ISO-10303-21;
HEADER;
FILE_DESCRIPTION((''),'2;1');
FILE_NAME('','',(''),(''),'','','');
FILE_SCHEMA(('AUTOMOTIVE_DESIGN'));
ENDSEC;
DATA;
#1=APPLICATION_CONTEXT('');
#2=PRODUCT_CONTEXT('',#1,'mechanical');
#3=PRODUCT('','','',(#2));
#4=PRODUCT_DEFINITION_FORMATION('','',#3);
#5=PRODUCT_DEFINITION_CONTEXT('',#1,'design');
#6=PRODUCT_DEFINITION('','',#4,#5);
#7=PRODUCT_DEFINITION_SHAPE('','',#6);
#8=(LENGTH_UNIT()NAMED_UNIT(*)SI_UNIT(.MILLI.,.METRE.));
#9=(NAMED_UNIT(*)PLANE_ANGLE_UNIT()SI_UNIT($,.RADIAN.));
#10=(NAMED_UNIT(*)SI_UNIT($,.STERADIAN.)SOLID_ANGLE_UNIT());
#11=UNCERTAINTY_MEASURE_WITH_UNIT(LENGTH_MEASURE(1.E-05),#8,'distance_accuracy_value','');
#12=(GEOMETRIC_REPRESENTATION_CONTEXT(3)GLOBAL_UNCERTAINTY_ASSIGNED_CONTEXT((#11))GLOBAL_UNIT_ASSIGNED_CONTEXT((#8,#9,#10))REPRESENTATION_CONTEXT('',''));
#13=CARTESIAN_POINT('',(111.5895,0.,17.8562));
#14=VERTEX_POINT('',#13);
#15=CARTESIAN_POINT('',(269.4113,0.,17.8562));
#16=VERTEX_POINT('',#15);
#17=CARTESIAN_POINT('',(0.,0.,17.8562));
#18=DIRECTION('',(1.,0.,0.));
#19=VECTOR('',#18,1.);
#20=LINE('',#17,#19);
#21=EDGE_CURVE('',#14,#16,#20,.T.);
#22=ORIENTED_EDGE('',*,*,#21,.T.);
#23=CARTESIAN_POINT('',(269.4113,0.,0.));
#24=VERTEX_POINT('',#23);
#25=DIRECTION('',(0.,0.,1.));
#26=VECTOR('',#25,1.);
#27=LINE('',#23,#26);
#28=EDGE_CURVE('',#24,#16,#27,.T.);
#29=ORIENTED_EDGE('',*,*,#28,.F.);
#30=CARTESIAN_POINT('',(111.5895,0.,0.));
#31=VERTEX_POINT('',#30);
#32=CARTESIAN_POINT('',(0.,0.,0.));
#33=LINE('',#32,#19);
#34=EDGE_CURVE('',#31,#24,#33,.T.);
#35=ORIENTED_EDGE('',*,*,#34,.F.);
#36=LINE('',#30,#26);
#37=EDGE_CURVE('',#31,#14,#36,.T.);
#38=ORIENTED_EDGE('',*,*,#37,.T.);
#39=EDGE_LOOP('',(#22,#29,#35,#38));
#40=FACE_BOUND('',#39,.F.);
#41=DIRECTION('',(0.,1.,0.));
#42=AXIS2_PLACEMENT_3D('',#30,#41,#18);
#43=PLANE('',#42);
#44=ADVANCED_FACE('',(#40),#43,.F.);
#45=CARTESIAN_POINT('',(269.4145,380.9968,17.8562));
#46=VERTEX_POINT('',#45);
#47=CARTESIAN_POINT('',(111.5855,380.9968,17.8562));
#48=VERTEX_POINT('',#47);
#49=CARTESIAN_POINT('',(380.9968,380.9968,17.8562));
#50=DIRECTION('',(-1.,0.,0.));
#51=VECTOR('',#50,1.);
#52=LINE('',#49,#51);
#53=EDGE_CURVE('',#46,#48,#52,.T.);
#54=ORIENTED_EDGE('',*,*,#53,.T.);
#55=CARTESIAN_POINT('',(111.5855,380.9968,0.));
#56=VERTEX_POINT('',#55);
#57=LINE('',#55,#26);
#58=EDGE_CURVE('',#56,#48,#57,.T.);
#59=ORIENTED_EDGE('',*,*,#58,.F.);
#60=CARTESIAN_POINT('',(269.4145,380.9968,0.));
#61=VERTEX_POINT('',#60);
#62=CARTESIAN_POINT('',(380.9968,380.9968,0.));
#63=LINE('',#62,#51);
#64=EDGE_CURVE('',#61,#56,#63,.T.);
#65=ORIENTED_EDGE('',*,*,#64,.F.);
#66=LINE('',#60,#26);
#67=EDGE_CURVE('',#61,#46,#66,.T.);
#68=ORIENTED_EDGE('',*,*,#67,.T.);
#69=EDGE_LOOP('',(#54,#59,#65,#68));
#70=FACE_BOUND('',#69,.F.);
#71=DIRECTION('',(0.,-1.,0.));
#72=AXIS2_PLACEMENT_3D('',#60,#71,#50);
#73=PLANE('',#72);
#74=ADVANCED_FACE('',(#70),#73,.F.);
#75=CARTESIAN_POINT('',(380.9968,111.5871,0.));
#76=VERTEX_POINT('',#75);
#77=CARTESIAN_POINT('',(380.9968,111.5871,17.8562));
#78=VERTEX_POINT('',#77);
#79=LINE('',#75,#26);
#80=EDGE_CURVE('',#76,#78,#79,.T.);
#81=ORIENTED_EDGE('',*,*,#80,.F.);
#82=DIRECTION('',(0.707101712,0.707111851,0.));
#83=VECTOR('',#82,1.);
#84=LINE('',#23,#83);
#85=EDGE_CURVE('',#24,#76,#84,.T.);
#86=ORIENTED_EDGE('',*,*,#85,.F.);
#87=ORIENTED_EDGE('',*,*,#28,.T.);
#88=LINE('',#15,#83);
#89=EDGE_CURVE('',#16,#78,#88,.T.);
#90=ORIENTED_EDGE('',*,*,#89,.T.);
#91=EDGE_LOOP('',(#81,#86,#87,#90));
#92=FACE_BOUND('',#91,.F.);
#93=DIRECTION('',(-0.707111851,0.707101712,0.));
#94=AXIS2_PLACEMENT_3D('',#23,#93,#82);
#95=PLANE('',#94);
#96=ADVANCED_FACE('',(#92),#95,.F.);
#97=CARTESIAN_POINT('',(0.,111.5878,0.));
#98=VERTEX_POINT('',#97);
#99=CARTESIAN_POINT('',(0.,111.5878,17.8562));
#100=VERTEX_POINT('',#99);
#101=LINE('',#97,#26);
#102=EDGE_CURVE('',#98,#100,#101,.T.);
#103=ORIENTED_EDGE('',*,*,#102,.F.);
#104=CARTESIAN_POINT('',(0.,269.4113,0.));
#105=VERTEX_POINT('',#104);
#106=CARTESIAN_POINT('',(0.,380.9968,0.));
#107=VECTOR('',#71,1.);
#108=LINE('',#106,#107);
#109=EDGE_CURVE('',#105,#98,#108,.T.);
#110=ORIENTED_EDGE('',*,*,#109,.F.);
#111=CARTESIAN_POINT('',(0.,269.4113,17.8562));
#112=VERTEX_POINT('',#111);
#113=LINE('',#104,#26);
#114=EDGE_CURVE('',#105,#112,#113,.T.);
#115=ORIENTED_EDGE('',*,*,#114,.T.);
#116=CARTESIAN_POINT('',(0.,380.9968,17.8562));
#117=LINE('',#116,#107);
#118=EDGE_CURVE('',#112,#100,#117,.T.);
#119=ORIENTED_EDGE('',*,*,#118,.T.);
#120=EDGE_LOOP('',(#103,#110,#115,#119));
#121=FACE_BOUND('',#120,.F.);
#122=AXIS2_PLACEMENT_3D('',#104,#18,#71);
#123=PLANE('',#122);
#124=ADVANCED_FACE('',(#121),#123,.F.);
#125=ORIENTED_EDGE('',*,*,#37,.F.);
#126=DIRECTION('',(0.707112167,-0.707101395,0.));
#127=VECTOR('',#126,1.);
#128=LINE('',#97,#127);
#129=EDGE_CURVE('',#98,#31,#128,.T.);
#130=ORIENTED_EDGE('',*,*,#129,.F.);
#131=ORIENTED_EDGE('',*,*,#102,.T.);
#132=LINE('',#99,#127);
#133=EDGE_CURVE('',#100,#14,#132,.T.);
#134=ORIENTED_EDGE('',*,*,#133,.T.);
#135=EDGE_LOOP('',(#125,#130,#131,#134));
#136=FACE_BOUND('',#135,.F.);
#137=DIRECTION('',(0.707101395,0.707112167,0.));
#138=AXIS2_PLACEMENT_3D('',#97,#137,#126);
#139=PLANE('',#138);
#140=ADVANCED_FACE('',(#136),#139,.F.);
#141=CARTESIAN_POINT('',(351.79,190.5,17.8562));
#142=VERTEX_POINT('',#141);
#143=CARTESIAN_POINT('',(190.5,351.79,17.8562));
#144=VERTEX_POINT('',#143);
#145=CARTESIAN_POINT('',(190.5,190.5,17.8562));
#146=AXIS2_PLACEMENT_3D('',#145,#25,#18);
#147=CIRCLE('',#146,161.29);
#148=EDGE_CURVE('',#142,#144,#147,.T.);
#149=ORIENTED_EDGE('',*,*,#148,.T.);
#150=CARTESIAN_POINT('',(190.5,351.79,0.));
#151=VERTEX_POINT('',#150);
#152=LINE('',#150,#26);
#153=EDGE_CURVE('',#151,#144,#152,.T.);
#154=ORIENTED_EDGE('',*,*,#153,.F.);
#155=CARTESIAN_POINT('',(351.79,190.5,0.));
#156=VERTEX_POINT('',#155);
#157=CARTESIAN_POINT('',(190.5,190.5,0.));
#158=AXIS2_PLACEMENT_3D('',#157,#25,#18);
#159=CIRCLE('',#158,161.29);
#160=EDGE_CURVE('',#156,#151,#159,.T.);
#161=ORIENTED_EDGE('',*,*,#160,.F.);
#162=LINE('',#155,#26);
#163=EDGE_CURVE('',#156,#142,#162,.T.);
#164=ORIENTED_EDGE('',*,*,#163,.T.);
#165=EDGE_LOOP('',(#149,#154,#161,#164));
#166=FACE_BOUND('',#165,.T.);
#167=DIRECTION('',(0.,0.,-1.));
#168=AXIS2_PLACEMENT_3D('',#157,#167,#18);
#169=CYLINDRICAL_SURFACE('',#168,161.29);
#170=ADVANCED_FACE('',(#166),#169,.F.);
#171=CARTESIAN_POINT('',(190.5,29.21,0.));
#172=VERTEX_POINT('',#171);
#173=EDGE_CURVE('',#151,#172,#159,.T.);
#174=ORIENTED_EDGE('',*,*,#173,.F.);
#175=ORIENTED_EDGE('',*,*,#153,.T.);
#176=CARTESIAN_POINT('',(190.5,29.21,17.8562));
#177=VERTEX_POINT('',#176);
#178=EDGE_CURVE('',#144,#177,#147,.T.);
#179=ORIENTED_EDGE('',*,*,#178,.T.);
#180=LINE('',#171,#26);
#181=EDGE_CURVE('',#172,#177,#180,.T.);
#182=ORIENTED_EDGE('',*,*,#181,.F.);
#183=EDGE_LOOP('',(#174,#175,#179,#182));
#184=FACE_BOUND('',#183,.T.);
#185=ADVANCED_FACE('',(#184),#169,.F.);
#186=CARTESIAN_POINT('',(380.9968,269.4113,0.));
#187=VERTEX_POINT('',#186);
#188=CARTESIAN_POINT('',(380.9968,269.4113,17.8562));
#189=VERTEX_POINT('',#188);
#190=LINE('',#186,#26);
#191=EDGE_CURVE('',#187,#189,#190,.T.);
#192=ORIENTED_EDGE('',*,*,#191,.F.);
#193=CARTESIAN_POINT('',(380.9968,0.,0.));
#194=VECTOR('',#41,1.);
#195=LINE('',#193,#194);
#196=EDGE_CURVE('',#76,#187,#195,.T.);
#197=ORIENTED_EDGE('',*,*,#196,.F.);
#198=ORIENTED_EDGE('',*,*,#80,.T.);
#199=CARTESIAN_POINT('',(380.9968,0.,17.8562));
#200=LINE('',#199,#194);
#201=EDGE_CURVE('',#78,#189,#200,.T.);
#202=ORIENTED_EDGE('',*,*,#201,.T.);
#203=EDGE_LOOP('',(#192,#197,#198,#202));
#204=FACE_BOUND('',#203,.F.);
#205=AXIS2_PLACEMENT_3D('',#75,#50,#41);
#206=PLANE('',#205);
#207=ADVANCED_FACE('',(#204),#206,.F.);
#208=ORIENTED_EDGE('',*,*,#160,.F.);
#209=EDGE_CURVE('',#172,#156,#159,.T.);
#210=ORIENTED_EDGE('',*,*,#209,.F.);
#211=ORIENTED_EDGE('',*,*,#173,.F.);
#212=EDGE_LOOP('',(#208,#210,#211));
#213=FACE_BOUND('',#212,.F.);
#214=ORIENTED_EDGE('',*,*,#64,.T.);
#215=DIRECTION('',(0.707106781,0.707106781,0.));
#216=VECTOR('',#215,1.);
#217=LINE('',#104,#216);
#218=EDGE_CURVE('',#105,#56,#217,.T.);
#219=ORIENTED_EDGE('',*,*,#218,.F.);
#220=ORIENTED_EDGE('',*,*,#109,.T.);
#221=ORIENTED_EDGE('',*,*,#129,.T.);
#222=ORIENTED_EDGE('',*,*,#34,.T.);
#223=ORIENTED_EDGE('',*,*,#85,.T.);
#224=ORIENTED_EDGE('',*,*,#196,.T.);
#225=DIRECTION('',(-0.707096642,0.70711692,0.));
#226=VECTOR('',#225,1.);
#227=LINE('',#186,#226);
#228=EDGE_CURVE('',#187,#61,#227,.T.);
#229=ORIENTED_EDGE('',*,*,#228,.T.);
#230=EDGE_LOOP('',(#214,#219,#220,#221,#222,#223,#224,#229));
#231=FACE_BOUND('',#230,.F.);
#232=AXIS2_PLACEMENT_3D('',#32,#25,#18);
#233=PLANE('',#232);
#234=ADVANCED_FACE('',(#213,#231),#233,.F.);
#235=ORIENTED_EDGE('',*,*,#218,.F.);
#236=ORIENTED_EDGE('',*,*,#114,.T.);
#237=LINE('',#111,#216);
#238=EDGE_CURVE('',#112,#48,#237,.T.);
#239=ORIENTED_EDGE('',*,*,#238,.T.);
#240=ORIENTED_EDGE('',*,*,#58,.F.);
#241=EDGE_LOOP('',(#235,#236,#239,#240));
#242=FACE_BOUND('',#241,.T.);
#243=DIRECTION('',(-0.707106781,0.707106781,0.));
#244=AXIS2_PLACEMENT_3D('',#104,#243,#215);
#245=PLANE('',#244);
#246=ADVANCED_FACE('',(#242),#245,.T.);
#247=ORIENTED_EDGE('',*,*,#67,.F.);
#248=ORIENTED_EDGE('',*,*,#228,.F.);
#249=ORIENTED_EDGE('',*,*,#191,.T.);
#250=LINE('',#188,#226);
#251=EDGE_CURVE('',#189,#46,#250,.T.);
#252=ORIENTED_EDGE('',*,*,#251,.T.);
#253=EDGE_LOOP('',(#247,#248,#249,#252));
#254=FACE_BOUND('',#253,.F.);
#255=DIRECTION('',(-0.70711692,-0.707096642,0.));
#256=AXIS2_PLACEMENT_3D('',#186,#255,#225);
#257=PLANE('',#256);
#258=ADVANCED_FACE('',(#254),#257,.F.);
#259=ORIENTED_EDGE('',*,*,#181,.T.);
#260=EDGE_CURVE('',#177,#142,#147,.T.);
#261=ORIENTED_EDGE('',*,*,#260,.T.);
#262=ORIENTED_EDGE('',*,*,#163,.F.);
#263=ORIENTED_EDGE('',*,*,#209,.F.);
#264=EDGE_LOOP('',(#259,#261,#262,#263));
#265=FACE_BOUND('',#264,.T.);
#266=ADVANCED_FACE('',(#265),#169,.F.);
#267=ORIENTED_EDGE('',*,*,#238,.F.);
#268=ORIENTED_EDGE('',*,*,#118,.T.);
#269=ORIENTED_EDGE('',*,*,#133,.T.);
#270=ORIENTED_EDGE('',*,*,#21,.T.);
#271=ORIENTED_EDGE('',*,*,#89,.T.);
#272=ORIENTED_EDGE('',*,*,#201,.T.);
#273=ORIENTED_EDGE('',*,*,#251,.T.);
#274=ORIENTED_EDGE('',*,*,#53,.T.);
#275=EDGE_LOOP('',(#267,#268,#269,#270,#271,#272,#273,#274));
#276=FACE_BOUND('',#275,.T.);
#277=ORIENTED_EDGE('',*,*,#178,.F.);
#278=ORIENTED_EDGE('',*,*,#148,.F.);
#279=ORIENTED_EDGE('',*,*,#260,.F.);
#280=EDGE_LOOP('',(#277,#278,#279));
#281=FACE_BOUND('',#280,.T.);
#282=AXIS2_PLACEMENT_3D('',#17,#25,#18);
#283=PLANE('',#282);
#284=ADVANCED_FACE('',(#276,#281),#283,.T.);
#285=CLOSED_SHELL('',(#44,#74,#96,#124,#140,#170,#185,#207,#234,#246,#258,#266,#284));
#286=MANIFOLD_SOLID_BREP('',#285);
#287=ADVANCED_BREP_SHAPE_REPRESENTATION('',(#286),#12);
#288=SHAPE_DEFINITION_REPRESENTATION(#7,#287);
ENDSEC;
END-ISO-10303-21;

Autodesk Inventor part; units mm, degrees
ref_plane "YZ Plane" through (0, 0, 0) normal (1, 0, 0) x (0, 1, 0)
ref_plane "XZ Plane" through (0, 0, 0) normal (0, 1, 0) x (-1, 0, 0)
ref_plane "XY Plane" through (0, 0, 0) normal (0, 0, 1) x (1, 0, 0)
sketch "Sketch1" plane through (0, 0, 0) normal (0, 0, 1) x (1, 0, 0)
  circle A0 centre (190.5, 190.5) radius 161.29
  circle A1 centre (190.5, 190.5) radius 161.29
  line L0 (190.5, 377.5583) -> (190.5, 351.79)
  line L1 (190.5, 3.4417) -> (190.5, 29.21)
  line L2 (0, 269.4113) -> (111.5887, 381)
  line L3 (0, 269.4113) -> (157.8102, 269.4113) construction
  line L4 (0, 111.5878) -> (111.5895, 0)
  line L5 (269.4113, 0) -> (381, 111.5903)
  line L6 (380.9968, 269.4113) -> (269.4113, 381)
  line L7 (0, 0) -> (380.9968, 0)
  line L8 (380.9968, 0) -> (380.9968, 380.9968)
  line L9 (380.9968, 380.9968) -> (0, 380.9968)
  line L10 (0, 380.9968) -> (0, 0)
  point P0 (111.5855, 380.9968)
  point P1 (111.5895, 0)
  point P2 (380.9968, 111.5871)
  point P3 (269.4145, 380.9968)
  dimension "d3" = 322.58
  dimension "d25" = 25.7683
  dimension "d26" = 25.7683
  dimension "d27" = 45
  dimension "d28" = 157.8102
  dimension "d30" = 157.8235
  dimension "d32" = 157.8218
  dimension "d40" = 157.808
  dimension "d42" = 380.9968
  dimension "d43" = 380.9968
  dimension "d44" = 190.5
  dimension "d45" = 190.5
  dimension "d46" = 111.5878
extrude "Extrusion2" add sketch "Sketch1" along normal blind 17.8562 contours L2 L9 L6 L8 L5 L7 L4 L10
properties part number "Bracket"
